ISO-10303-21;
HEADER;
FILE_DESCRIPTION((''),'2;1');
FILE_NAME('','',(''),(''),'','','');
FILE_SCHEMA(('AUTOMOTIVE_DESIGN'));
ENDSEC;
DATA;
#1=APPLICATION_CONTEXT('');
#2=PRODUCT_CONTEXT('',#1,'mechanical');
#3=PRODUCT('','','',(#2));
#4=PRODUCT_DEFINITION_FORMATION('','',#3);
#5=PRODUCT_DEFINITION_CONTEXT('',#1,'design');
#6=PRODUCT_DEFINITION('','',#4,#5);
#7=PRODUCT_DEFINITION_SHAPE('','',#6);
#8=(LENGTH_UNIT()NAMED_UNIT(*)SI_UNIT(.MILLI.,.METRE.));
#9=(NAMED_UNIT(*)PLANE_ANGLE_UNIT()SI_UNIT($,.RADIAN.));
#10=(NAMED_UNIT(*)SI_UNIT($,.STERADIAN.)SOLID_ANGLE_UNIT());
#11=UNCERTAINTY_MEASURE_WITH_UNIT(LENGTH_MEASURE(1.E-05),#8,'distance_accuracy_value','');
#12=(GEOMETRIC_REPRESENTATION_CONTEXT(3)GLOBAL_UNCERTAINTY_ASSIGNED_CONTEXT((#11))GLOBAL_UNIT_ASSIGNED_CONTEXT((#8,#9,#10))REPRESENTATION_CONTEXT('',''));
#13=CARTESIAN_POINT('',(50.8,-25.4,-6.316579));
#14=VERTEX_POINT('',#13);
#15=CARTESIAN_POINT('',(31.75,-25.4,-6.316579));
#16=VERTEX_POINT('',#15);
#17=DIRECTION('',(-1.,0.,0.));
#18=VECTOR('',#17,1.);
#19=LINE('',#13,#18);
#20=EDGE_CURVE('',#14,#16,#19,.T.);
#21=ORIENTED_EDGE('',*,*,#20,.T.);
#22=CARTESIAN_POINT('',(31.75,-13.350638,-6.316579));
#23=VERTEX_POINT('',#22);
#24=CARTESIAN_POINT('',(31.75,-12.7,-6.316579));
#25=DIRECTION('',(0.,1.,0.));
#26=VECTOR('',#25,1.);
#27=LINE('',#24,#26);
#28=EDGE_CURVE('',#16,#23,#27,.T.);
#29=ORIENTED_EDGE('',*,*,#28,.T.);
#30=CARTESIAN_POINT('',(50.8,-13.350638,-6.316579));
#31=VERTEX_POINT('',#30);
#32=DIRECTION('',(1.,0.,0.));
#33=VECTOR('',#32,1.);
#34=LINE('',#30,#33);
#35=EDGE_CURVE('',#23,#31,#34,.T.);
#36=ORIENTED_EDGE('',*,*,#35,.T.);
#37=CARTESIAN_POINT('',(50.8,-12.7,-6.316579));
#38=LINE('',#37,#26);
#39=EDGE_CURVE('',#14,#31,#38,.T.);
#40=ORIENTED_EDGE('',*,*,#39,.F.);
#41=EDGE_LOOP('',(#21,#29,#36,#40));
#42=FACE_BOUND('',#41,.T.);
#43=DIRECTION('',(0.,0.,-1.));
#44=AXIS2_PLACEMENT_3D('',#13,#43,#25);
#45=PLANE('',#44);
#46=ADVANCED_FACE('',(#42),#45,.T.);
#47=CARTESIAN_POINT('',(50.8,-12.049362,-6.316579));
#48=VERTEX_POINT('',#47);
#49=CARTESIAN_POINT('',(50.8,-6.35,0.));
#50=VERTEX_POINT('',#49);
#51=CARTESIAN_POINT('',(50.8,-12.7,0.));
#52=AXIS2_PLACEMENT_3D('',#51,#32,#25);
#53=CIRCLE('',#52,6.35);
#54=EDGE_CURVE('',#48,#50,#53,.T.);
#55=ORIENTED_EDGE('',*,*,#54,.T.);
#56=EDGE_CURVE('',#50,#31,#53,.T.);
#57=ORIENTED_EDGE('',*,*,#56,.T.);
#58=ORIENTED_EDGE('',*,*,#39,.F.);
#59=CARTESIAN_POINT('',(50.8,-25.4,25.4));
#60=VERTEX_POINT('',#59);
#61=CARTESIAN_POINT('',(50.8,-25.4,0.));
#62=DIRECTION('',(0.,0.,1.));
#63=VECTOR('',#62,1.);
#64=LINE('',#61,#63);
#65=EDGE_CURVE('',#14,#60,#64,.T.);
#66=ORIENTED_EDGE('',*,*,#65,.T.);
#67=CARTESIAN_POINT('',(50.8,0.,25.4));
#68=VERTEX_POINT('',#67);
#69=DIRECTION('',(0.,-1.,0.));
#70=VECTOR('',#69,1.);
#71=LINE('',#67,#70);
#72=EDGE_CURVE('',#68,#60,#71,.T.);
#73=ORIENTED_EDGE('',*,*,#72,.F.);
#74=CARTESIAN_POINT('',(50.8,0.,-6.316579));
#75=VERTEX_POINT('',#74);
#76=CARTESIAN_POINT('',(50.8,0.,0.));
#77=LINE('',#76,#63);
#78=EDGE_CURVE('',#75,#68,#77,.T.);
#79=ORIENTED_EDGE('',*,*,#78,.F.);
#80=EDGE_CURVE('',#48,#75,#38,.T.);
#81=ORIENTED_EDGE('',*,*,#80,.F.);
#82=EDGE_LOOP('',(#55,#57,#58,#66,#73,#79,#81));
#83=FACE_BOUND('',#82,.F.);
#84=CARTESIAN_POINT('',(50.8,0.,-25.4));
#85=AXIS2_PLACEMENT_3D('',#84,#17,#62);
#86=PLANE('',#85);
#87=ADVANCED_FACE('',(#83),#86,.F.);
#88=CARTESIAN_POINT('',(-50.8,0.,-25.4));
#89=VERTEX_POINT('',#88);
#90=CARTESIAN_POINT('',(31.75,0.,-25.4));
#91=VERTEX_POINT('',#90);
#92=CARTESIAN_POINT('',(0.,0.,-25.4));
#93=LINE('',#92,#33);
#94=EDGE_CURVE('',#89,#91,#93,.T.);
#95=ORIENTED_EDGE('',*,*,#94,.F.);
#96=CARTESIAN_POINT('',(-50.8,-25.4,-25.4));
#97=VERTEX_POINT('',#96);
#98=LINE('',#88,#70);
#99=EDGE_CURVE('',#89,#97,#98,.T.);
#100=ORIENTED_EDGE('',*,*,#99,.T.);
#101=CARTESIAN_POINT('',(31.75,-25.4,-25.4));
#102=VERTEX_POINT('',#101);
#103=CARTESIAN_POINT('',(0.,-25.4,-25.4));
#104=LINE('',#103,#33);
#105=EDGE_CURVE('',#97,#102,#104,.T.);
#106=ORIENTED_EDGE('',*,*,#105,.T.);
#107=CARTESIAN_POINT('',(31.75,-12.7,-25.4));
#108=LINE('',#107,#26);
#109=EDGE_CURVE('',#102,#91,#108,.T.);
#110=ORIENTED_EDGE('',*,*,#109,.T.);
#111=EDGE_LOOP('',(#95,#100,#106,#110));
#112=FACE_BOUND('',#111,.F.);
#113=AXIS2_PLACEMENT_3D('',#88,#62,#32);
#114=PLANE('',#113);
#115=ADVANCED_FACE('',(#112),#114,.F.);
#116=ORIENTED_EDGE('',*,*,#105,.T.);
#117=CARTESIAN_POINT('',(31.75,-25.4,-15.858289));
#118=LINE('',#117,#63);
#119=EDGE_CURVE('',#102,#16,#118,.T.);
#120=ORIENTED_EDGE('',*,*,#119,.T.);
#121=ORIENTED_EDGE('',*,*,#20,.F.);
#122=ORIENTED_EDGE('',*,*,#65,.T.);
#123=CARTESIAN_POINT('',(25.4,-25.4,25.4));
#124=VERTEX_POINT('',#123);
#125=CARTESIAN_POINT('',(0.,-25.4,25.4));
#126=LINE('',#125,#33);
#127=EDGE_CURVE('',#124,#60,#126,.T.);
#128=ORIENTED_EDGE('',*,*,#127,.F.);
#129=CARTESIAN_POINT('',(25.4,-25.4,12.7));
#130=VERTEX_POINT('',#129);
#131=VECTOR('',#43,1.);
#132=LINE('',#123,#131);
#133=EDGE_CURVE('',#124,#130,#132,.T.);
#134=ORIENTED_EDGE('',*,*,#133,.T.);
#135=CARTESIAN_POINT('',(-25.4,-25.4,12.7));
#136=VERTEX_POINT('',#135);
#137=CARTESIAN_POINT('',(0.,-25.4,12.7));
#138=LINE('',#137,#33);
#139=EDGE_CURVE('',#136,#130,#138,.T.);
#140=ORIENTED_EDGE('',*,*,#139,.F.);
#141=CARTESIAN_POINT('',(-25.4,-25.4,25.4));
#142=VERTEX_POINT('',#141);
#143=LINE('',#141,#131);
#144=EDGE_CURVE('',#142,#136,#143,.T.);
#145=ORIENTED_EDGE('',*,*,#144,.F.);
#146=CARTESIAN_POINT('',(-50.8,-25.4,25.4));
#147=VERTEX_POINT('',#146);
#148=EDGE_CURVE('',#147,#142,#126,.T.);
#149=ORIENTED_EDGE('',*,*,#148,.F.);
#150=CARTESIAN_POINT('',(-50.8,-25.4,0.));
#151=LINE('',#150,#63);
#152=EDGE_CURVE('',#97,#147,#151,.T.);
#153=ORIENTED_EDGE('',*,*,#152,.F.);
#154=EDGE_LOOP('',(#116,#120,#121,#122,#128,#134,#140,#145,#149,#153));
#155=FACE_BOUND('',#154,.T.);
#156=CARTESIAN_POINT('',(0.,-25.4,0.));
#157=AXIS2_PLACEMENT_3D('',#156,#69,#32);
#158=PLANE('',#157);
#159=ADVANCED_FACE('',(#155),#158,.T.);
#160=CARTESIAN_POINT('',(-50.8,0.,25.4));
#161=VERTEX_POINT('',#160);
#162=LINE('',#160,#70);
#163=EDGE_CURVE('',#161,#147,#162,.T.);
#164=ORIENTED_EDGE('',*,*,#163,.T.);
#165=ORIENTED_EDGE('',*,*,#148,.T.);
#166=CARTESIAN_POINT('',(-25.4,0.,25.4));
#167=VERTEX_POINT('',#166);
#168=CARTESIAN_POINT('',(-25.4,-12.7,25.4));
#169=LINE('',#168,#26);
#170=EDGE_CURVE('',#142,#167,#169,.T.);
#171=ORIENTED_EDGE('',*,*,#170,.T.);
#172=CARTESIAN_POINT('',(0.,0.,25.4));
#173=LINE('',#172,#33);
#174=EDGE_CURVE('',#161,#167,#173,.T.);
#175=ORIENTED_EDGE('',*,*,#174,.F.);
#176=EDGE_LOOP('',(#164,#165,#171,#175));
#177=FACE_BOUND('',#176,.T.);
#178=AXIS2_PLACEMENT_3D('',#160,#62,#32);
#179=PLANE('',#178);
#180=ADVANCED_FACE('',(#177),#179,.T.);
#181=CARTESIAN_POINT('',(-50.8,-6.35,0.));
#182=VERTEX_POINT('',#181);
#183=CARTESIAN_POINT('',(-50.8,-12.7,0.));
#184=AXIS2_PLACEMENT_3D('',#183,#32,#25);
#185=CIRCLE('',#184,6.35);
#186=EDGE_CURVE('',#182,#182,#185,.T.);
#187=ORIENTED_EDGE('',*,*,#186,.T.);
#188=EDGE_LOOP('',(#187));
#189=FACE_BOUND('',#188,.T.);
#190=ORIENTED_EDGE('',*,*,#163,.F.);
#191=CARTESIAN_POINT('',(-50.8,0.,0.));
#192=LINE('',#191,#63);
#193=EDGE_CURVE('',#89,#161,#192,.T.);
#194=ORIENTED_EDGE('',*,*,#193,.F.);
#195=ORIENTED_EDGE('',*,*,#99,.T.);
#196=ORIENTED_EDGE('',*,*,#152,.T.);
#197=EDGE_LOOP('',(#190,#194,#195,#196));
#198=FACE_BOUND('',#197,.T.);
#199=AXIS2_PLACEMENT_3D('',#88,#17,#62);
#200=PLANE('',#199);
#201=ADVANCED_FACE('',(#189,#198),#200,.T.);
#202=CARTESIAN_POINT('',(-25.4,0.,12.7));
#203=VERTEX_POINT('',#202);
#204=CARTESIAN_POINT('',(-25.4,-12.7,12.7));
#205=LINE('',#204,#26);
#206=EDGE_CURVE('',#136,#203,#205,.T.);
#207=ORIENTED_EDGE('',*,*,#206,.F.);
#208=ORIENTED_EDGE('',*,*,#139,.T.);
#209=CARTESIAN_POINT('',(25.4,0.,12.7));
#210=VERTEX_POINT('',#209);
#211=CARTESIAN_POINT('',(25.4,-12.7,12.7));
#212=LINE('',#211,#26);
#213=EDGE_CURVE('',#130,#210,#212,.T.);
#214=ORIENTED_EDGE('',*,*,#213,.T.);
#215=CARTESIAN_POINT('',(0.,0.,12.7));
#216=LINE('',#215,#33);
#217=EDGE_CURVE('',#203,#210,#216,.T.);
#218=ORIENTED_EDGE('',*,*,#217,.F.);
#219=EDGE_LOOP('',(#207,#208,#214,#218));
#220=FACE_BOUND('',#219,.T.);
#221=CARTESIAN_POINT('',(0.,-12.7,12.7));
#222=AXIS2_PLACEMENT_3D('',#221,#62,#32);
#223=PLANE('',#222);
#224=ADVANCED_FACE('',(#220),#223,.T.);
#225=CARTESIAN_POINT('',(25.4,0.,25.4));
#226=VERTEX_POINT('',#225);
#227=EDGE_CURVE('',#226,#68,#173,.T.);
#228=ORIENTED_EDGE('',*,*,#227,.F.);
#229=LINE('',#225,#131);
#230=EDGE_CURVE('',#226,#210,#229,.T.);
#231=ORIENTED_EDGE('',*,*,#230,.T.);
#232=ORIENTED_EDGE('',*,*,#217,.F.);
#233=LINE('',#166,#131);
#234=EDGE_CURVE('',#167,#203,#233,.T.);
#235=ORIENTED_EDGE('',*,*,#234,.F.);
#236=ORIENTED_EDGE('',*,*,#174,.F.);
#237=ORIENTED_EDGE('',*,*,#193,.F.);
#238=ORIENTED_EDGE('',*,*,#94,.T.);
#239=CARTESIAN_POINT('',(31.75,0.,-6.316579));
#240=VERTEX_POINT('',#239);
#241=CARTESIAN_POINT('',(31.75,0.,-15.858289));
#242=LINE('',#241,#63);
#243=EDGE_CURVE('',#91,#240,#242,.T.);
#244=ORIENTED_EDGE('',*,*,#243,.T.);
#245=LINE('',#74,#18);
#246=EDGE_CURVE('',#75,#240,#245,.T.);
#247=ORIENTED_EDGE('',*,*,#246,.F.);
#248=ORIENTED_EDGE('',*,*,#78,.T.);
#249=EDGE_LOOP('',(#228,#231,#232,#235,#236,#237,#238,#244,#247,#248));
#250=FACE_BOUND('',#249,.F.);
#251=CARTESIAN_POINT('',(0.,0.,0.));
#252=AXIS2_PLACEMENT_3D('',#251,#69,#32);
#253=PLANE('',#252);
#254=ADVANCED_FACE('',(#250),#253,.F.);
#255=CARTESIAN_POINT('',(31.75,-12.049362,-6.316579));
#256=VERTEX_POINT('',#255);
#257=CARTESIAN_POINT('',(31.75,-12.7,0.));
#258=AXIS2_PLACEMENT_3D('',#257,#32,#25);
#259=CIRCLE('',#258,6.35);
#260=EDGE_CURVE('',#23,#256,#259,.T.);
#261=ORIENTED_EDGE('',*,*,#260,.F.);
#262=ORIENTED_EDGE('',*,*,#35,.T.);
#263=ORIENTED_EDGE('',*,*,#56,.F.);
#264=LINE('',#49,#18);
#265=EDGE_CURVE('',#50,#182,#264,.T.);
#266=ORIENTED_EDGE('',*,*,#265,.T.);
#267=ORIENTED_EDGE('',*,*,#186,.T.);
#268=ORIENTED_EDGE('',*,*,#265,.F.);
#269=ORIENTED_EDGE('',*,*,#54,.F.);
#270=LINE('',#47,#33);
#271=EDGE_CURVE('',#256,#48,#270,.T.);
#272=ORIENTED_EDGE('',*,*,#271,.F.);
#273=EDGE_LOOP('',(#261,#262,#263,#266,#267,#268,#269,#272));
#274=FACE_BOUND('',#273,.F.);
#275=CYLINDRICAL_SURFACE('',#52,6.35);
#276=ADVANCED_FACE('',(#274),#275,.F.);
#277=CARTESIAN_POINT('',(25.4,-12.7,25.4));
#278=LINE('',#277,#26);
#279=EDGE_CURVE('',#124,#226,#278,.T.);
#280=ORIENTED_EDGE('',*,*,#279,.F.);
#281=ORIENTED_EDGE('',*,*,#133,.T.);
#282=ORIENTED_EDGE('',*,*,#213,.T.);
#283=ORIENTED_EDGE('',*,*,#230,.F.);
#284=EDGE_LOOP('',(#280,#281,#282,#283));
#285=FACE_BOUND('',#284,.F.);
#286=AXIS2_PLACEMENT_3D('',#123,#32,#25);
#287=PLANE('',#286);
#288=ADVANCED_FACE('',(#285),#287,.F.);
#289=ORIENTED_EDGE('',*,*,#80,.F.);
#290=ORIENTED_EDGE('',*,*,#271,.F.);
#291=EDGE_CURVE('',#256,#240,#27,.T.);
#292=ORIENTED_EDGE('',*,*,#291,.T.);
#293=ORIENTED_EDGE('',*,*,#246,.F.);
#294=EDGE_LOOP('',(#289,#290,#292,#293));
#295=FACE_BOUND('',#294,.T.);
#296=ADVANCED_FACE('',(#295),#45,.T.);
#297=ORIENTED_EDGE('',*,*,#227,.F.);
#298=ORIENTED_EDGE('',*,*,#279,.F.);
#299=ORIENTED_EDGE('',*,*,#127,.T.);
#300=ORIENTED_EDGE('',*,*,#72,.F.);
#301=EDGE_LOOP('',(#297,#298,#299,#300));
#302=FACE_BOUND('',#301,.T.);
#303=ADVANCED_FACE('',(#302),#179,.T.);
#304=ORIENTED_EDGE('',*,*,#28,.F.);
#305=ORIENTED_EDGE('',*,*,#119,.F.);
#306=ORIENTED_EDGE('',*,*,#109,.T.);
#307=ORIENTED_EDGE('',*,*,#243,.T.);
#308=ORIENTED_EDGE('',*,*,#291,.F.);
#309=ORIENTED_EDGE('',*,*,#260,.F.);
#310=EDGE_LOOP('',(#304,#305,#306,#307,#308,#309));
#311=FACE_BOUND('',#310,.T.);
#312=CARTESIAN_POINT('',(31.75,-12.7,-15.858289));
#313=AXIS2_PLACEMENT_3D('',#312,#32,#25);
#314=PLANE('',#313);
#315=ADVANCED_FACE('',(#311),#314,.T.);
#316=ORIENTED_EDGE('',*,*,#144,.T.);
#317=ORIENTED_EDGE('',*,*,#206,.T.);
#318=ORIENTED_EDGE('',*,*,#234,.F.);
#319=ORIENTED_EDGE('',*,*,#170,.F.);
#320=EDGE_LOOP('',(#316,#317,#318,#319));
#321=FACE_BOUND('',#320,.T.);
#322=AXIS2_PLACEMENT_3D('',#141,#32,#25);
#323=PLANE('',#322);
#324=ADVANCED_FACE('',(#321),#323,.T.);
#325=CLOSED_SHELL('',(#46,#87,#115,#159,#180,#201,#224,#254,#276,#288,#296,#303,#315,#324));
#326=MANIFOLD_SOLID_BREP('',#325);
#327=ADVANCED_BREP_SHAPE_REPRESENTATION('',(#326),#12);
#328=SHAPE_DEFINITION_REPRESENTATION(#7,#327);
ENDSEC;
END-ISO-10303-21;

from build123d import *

# Parameters (mm, degrees)
F0_W     = 101.6
F0_H     = 50.8
F1_DEPTH = 25.4
F2_W     = 25.4
F2_H     = 19.083421053
F3_DEPTH = 19.05
F4_W     = 50.8
F4_H     = 25.4
F5_DEPTH = 12.7
F6_R     = 6.35
F7_DEPTH = 101.601


with BuildPart() as f1:
    # F0 (on Front) → F1 (new body)
    with BuildSketch(Plane.XZ):
        Rectangle(F0_W, F0_H)
    extrude(amount=F1_DEPTH)

    # F2 (on face) → F3 (cut)
    with BuildSketch(Plane.YZ.offset(50.8)):
        with Locations((-12.7, -15.8582894735)):
            Rectangle(F2_W, F2_H)
    extrude(amount=-F3_DEPTH, mode=Mode.SUBTRACT)

    # F4 (on face) → F5 (cut)
    with BuildSketch(Plane.XY.offset(25.4)):
        with Locations((0, -12.7)):
            Rectangle(F4_W, F4_H)
    extrude(amount=-F5_DEPTH, mode=Mode.SUBTRACT)

    # F6 (on face) → F7 (cut, through all)
    with BuildSketch(Plane.YZ.offset(50.8)):
        with Locations((-12.7, 0)):
            Circle(F6_R)
    extrude(amount=-F7_DEPTH, mode=Mode.SUBTRACT)


solid = f1.part
